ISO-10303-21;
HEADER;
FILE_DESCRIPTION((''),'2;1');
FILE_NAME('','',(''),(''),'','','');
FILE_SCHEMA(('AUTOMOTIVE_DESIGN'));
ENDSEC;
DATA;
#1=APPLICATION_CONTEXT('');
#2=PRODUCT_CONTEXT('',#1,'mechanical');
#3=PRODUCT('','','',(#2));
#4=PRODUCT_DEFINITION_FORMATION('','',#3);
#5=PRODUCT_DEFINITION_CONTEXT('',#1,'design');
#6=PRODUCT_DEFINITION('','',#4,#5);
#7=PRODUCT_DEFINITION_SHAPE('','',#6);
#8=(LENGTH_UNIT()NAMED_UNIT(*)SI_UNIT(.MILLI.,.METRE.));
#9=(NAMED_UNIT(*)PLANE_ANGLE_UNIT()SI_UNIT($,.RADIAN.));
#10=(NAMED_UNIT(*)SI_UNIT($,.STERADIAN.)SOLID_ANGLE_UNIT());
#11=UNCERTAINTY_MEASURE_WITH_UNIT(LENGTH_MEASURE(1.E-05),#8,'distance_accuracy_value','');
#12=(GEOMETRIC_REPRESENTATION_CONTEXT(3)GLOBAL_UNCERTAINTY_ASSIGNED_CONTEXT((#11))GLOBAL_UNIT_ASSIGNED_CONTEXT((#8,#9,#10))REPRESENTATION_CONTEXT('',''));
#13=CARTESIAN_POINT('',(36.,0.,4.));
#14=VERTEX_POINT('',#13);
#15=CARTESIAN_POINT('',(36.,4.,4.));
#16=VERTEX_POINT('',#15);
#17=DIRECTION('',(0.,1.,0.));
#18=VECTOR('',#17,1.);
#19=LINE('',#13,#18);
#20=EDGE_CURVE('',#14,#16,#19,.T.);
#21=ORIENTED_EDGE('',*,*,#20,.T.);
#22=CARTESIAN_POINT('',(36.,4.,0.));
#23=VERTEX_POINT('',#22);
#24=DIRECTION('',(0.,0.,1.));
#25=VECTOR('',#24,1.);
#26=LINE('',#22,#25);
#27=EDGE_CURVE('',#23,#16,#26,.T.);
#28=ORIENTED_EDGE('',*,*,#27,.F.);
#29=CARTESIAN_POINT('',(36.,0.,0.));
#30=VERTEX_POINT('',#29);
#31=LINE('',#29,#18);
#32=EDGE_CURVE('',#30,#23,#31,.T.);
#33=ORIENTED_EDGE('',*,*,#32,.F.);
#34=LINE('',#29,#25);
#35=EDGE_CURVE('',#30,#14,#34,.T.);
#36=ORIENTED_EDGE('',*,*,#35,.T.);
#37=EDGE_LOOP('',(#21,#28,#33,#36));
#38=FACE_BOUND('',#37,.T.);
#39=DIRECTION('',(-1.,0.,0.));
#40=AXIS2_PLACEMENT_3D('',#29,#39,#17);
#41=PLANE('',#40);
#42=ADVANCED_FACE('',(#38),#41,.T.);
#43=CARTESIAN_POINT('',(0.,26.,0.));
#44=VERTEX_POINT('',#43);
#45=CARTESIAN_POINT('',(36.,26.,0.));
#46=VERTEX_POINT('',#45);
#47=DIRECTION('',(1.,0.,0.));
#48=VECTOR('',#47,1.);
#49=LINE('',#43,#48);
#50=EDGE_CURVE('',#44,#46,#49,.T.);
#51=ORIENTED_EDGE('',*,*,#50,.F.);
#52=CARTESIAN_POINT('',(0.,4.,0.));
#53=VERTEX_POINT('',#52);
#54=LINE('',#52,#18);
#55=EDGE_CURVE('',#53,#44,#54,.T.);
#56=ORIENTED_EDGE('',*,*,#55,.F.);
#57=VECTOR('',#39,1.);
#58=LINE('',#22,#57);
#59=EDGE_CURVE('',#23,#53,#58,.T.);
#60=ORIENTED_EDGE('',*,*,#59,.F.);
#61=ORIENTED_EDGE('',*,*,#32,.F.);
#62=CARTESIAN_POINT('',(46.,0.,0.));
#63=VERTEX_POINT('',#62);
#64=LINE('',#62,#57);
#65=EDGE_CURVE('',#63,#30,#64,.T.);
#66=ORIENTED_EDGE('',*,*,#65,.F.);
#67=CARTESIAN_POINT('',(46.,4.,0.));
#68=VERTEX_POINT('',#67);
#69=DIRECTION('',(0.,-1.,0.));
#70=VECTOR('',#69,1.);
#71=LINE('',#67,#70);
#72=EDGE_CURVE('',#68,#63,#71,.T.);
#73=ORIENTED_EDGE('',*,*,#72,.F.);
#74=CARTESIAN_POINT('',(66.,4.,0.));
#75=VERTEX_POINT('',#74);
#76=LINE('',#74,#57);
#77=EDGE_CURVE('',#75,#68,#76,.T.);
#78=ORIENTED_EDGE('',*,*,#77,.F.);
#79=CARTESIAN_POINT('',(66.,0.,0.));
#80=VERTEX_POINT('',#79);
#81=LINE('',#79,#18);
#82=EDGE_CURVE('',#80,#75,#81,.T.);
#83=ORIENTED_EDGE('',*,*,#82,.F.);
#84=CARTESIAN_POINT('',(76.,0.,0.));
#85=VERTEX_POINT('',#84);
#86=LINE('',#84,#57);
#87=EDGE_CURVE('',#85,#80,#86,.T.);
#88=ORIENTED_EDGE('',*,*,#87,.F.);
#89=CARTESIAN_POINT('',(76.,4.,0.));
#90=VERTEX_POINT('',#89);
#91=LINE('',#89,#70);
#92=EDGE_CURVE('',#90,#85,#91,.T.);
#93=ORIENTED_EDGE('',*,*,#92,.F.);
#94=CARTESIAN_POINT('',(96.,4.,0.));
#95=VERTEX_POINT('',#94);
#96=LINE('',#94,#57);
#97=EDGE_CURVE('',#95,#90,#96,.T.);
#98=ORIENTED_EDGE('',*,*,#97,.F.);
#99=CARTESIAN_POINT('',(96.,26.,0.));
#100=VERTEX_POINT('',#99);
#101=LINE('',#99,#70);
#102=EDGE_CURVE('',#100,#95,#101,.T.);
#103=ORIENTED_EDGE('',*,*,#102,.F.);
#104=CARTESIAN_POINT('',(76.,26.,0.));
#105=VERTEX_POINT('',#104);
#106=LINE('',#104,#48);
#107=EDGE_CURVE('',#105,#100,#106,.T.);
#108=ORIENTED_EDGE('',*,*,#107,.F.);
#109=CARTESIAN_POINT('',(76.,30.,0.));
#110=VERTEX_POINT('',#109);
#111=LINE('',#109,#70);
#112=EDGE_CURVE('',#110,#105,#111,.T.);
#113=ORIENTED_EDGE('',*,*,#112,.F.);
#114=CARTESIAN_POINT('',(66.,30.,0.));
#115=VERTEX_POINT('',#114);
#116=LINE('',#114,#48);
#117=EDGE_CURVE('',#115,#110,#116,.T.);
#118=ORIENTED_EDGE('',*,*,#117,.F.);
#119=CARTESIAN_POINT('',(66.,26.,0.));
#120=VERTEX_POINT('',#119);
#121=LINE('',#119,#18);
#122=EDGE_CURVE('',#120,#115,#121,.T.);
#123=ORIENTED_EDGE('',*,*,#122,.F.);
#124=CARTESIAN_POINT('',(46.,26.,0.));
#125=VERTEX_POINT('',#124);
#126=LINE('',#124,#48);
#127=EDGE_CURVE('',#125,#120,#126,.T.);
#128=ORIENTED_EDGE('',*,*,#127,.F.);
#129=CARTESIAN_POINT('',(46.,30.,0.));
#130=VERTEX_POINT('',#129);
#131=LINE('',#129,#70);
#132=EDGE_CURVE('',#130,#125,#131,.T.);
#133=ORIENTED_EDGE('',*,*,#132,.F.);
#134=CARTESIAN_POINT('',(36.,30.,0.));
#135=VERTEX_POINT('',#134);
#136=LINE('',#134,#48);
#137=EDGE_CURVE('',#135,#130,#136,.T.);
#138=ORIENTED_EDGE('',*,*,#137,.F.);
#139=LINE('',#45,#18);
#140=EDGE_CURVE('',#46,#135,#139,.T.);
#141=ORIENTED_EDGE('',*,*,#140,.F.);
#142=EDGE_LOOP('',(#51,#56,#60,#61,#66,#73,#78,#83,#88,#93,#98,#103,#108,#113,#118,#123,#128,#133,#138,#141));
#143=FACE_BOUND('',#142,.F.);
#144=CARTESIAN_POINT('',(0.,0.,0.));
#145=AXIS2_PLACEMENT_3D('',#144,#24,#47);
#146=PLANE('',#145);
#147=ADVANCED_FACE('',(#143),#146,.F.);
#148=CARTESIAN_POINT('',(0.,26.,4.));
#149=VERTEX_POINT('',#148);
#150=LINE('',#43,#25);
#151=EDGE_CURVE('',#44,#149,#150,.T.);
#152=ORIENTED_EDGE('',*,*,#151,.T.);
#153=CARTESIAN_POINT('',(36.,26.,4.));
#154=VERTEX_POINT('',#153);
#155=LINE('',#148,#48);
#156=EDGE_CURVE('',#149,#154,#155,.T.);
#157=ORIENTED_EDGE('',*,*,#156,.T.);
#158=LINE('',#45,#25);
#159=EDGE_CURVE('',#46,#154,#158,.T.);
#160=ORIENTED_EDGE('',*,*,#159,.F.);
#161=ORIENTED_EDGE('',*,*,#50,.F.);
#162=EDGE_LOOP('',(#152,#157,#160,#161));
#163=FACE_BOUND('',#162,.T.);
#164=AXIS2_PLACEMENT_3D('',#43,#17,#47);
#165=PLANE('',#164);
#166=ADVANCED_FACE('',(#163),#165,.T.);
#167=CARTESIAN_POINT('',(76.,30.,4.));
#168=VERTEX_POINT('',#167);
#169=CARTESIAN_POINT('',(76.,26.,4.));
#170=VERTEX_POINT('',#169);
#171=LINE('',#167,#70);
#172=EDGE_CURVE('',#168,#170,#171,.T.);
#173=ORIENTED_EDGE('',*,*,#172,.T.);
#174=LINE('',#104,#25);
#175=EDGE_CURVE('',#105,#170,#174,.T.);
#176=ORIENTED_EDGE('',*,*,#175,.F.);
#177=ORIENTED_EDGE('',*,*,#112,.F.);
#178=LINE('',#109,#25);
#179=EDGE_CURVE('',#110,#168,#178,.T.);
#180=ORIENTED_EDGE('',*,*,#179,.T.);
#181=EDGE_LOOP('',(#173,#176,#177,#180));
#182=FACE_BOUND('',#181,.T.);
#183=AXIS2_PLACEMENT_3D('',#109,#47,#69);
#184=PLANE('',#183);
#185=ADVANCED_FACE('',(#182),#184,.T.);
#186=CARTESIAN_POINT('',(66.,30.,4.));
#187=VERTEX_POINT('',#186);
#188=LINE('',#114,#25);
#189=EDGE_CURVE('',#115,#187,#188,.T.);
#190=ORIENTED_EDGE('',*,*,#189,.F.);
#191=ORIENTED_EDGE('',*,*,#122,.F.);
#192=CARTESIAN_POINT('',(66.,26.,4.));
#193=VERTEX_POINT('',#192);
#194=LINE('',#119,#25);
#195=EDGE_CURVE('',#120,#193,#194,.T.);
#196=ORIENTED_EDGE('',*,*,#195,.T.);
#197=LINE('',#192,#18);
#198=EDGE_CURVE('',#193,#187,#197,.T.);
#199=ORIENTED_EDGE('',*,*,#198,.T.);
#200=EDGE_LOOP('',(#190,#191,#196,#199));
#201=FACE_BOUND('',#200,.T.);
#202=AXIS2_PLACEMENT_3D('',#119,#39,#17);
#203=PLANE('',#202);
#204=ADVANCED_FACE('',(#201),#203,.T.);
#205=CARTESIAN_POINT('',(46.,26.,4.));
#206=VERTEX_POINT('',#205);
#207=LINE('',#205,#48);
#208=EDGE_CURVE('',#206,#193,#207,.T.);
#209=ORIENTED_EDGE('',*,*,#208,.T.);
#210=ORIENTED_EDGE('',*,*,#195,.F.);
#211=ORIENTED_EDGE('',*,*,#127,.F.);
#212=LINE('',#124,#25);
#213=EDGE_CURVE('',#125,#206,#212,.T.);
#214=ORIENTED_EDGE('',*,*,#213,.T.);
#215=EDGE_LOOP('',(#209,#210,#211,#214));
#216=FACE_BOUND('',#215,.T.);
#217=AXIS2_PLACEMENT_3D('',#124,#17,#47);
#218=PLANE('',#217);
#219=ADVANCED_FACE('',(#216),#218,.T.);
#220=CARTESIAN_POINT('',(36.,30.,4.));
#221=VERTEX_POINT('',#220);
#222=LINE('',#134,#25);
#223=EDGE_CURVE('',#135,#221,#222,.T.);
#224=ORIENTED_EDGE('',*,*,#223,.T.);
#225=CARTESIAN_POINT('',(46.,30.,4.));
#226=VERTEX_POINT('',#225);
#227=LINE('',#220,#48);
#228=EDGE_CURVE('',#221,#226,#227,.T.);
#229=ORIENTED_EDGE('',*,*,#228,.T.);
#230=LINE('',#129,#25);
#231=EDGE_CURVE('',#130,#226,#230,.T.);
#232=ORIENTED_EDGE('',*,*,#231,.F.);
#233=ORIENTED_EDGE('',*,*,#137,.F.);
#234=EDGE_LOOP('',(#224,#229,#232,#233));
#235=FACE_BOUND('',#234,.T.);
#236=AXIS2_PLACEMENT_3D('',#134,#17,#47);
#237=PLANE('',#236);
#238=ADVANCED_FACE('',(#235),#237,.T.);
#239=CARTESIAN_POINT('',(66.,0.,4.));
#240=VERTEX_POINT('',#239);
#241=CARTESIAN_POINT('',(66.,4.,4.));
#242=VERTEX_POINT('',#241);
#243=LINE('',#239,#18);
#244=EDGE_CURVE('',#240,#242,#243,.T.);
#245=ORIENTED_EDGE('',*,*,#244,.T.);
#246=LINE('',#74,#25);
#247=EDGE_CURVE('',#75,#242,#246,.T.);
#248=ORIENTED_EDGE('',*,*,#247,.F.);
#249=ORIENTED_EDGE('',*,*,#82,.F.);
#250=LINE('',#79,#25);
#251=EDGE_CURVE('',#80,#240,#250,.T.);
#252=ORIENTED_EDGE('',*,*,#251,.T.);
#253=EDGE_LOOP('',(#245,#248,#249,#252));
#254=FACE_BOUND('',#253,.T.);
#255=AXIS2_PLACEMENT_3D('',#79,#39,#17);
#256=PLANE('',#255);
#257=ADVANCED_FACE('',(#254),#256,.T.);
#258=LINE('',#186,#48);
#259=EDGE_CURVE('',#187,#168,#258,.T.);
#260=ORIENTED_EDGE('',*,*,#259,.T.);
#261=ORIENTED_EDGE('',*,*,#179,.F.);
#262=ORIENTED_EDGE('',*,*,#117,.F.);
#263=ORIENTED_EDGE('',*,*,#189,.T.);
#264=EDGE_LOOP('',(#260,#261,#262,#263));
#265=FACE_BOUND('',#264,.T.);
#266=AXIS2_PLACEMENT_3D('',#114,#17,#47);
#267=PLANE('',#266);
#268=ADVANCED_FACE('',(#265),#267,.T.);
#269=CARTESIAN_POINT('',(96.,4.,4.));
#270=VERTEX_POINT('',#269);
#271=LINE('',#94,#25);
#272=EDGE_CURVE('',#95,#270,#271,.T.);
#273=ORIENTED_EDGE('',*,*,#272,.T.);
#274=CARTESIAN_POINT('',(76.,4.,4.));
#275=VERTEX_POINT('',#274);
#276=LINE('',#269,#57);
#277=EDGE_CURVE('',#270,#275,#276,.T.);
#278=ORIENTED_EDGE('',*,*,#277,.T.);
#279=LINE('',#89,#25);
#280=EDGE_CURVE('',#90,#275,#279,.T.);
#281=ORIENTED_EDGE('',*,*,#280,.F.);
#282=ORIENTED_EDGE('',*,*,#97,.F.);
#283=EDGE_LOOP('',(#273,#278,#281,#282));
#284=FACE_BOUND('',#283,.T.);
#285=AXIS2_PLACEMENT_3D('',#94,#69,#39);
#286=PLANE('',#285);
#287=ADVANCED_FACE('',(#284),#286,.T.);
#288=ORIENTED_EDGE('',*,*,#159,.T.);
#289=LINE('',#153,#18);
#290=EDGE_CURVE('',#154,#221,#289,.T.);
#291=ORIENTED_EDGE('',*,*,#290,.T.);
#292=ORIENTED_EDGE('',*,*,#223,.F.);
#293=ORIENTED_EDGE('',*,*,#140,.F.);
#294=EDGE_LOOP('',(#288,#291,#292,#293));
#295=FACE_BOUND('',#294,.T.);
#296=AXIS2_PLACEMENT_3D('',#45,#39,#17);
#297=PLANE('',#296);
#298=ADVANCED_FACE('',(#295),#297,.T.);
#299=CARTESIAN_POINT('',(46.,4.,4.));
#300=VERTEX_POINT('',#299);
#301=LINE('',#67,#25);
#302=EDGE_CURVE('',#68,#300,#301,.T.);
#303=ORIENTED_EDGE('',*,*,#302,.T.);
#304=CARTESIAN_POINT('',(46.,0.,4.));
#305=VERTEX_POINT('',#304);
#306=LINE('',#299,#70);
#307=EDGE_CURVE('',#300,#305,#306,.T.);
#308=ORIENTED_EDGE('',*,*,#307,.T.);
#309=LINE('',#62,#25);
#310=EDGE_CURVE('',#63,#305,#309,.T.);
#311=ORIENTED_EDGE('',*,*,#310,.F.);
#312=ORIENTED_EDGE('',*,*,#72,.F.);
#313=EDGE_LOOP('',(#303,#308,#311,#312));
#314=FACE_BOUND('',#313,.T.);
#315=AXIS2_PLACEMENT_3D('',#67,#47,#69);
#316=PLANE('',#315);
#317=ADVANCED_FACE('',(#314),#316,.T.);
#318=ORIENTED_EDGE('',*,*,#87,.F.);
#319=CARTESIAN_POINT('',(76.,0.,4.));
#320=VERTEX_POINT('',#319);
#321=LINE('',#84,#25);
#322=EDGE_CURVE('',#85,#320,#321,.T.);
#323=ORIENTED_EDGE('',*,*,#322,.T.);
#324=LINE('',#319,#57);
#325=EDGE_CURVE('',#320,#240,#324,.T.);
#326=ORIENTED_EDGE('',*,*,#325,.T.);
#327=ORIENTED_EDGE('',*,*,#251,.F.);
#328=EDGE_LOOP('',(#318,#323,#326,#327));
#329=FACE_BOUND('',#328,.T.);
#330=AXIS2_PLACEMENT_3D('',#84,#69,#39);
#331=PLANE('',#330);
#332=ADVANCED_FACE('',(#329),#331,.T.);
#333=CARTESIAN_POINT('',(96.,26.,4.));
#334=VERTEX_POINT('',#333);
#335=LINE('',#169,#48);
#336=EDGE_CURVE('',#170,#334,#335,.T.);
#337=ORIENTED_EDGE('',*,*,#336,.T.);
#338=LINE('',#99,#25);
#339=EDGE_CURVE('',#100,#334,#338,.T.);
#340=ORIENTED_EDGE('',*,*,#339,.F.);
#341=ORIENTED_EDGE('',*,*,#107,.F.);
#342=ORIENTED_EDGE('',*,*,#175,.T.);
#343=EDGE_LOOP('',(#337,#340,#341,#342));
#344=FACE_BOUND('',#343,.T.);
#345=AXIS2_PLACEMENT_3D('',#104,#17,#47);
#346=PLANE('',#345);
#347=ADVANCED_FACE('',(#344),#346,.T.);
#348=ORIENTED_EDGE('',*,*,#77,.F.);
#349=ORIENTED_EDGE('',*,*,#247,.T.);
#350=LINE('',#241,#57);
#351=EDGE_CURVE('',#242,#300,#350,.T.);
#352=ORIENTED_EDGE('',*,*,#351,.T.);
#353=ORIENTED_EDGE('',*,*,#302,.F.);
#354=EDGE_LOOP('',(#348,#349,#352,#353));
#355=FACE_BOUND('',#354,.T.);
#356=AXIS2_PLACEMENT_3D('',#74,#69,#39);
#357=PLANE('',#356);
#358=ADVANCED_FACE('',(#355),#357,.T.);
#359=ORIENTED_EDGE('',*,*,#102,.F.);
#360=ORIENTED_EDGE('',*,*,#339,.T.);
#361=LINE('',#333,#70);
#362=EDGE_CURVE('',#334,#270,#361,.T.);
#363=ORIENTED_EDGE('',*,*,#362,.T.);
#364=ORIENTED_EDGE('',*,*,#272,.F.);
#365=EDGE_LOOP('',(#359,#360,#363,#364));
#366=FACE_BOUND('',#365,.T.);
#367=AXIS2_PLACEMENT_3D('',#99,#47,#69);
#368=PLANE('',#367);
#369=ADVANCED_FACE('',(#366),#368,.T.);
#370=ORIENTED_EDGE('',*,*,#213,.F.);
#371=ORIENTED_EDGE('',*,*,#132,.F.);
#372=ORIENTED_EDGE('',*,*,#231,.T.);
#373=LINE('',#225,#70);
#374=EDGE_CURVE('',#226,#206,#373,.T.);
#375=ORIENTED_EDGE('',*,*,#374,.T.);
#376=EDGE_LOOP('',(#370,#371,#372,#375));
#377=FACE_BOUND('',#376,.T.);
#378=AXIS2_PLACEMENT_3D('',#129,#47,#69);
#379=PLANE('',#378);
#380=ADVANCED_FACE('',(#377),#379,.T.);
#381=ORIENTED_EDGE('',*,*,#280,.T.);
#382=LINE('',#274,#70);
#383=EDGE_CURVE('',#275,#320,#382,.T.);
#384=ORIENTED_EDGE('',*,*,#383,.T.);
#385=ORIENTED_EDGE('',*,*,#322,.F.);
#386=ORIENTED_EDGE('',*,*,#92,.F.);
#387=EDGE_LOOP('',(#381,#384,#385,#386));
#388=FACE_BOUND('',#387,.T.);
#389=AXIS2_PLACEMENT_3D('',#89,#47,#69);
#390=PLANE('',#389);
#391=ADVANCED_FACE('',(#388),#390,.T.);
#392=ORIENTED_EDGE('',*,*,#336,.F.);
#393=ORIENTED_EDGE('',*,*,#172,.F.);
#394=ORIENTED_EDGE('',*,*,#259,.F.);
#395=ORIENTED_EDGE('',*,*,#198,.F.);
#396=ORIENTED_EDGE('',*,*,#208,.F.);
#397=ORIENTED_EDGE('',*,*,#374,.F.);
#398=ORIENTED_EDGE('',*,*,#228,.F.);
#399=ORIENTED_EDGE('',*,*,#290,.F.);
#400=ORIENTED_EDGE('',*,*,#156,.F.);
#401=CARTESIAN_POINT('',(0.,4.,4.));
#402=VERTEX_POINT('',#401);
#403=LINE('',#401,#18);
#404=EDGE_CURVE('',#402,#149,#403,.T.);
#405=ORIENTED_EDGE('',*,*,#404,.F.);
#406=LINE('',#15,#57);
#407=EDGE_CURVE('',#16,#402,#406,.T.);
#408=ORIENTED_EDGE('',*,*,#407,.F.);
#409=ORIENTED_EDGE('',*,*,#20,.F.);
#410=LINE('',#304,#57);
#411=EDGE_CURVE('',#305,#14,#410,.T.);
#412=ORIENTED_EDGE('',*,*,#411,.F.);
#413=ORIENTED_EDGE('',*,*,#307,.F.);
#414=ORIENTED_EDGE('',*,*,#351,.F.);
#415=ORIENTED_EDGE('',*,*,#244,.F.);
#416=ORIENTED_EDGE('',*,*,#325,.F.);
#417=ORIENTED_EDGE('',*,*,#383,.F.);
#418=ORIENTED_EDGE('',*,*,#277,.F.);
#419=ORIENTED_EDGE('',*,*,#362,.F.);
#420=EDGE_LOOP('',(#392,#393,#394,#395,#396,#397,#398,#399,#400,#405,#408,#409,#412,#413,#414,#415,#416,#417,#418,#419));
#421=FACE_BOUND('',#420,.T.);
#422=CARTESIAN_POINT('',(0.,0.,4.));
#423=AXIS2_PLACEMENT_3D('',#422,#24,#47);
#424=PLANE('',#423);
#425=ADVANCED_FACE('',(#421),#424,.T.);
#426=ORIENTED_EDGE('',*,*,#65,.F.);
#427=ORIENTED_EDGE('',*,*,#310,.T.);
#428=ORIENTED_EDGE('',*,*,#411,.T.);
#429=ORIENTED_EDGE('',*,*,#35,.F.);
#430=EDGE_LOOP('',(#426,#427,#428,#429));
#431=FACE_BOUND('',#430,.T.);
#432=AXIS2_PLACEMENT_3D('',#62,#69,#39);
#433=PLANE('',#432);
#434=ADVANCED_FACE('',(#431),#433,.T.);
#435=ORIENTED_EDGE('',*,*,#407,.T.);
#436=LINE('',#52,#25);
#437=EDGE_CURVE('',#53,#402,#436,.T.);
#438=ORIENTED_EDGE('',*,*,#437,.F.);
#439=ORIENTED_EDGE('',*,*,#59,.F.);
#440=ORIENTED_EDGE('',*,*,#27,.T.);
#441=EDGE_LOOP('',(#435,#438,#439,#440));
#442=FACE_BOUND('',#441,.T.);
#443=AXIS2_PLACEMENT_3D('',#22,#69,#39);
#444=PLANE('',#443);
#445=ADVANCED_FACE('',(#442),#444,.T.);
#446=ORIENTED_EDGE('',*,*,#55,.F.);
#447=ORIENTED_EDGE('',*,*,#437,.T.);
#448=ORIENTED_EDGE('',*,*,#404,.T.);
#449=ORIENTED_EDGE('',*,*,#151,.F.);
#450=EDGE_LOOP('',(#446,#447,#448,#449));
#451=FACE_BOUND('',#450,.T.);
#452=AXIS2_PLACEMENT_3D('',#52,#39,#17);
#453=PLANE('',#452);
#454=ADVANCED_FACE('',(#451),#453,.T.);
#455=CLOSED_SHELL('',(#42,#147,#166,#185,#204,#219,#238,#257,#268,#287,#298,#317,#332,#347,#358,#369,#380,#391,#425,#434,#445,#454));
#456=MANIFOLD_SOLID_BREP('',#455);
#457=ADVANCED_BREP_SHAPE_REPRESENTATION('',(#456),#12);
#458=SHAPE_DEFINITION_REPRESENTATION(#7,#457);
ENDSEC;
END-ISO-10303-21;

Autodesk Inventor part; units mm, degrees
ref_plane "YZ Plane" through (0, 0, 0) normal (1, 0, 0) x (0, 1, 0)
ref_plane "XZ Plane" through (0, 0, 0) normal (0, 1, 0) x (-1, 0, 0)
ref_plane "XY Plane" through (0, 0, 0) normal (0, 0, 1) x (1, 0, 0)
sketch "Sketch1" plane through (0, 0, 0) normal (0, 0, 1) x (1, 0, 0)
  line L0 (0, 4) -> (0, 26)
  line L1 (0, 26) -> (36, 26)
  line L2 (36, 26) -> (36, 30)
  line L3 (36, 30) -> (46, 30)
  line L4 (46, 30) -> (46, 26)
  line L5 (46, 26) -> (66, 26)
  line L6 (66, 26) -> (66, 30)
  line L7 (66, 30) -> (76, 30)
  line L8 (76, 30) -> (76, 26)
  line L9 (76, 26) -> (96, 26)
  line L10 (96, 26) -> (96, 4)
  line L11 (96, 4) -> (76, 4)
  line L12 (76, 4) -> (76, 0)
  line L13 (76, 0) -> (66, 0)
  line L14 (66, 0) -> (66, 4)
  line L15 (66, 4) -> (46, 4)
  line L16 (46, 4) -> (46, 0)
  line L17 (46, 0) -> (36, 0)
  line L18 (36, 4) -> (0, 4)
  line L19 (36, 0) -> (36, 4)
  point P0 (0, 0)
  dimension "d0" = 22
  dimension "d1" = 36
  dimension "d2" = 4
  dimension "d3" = 10
  dimension "d4" = 20
  dimension "d5" = 10
  dimension "d6" = 20
extrude "Extrusion1" add sketch "Sketch1" along normal blind 4
properties part number "hlid"
